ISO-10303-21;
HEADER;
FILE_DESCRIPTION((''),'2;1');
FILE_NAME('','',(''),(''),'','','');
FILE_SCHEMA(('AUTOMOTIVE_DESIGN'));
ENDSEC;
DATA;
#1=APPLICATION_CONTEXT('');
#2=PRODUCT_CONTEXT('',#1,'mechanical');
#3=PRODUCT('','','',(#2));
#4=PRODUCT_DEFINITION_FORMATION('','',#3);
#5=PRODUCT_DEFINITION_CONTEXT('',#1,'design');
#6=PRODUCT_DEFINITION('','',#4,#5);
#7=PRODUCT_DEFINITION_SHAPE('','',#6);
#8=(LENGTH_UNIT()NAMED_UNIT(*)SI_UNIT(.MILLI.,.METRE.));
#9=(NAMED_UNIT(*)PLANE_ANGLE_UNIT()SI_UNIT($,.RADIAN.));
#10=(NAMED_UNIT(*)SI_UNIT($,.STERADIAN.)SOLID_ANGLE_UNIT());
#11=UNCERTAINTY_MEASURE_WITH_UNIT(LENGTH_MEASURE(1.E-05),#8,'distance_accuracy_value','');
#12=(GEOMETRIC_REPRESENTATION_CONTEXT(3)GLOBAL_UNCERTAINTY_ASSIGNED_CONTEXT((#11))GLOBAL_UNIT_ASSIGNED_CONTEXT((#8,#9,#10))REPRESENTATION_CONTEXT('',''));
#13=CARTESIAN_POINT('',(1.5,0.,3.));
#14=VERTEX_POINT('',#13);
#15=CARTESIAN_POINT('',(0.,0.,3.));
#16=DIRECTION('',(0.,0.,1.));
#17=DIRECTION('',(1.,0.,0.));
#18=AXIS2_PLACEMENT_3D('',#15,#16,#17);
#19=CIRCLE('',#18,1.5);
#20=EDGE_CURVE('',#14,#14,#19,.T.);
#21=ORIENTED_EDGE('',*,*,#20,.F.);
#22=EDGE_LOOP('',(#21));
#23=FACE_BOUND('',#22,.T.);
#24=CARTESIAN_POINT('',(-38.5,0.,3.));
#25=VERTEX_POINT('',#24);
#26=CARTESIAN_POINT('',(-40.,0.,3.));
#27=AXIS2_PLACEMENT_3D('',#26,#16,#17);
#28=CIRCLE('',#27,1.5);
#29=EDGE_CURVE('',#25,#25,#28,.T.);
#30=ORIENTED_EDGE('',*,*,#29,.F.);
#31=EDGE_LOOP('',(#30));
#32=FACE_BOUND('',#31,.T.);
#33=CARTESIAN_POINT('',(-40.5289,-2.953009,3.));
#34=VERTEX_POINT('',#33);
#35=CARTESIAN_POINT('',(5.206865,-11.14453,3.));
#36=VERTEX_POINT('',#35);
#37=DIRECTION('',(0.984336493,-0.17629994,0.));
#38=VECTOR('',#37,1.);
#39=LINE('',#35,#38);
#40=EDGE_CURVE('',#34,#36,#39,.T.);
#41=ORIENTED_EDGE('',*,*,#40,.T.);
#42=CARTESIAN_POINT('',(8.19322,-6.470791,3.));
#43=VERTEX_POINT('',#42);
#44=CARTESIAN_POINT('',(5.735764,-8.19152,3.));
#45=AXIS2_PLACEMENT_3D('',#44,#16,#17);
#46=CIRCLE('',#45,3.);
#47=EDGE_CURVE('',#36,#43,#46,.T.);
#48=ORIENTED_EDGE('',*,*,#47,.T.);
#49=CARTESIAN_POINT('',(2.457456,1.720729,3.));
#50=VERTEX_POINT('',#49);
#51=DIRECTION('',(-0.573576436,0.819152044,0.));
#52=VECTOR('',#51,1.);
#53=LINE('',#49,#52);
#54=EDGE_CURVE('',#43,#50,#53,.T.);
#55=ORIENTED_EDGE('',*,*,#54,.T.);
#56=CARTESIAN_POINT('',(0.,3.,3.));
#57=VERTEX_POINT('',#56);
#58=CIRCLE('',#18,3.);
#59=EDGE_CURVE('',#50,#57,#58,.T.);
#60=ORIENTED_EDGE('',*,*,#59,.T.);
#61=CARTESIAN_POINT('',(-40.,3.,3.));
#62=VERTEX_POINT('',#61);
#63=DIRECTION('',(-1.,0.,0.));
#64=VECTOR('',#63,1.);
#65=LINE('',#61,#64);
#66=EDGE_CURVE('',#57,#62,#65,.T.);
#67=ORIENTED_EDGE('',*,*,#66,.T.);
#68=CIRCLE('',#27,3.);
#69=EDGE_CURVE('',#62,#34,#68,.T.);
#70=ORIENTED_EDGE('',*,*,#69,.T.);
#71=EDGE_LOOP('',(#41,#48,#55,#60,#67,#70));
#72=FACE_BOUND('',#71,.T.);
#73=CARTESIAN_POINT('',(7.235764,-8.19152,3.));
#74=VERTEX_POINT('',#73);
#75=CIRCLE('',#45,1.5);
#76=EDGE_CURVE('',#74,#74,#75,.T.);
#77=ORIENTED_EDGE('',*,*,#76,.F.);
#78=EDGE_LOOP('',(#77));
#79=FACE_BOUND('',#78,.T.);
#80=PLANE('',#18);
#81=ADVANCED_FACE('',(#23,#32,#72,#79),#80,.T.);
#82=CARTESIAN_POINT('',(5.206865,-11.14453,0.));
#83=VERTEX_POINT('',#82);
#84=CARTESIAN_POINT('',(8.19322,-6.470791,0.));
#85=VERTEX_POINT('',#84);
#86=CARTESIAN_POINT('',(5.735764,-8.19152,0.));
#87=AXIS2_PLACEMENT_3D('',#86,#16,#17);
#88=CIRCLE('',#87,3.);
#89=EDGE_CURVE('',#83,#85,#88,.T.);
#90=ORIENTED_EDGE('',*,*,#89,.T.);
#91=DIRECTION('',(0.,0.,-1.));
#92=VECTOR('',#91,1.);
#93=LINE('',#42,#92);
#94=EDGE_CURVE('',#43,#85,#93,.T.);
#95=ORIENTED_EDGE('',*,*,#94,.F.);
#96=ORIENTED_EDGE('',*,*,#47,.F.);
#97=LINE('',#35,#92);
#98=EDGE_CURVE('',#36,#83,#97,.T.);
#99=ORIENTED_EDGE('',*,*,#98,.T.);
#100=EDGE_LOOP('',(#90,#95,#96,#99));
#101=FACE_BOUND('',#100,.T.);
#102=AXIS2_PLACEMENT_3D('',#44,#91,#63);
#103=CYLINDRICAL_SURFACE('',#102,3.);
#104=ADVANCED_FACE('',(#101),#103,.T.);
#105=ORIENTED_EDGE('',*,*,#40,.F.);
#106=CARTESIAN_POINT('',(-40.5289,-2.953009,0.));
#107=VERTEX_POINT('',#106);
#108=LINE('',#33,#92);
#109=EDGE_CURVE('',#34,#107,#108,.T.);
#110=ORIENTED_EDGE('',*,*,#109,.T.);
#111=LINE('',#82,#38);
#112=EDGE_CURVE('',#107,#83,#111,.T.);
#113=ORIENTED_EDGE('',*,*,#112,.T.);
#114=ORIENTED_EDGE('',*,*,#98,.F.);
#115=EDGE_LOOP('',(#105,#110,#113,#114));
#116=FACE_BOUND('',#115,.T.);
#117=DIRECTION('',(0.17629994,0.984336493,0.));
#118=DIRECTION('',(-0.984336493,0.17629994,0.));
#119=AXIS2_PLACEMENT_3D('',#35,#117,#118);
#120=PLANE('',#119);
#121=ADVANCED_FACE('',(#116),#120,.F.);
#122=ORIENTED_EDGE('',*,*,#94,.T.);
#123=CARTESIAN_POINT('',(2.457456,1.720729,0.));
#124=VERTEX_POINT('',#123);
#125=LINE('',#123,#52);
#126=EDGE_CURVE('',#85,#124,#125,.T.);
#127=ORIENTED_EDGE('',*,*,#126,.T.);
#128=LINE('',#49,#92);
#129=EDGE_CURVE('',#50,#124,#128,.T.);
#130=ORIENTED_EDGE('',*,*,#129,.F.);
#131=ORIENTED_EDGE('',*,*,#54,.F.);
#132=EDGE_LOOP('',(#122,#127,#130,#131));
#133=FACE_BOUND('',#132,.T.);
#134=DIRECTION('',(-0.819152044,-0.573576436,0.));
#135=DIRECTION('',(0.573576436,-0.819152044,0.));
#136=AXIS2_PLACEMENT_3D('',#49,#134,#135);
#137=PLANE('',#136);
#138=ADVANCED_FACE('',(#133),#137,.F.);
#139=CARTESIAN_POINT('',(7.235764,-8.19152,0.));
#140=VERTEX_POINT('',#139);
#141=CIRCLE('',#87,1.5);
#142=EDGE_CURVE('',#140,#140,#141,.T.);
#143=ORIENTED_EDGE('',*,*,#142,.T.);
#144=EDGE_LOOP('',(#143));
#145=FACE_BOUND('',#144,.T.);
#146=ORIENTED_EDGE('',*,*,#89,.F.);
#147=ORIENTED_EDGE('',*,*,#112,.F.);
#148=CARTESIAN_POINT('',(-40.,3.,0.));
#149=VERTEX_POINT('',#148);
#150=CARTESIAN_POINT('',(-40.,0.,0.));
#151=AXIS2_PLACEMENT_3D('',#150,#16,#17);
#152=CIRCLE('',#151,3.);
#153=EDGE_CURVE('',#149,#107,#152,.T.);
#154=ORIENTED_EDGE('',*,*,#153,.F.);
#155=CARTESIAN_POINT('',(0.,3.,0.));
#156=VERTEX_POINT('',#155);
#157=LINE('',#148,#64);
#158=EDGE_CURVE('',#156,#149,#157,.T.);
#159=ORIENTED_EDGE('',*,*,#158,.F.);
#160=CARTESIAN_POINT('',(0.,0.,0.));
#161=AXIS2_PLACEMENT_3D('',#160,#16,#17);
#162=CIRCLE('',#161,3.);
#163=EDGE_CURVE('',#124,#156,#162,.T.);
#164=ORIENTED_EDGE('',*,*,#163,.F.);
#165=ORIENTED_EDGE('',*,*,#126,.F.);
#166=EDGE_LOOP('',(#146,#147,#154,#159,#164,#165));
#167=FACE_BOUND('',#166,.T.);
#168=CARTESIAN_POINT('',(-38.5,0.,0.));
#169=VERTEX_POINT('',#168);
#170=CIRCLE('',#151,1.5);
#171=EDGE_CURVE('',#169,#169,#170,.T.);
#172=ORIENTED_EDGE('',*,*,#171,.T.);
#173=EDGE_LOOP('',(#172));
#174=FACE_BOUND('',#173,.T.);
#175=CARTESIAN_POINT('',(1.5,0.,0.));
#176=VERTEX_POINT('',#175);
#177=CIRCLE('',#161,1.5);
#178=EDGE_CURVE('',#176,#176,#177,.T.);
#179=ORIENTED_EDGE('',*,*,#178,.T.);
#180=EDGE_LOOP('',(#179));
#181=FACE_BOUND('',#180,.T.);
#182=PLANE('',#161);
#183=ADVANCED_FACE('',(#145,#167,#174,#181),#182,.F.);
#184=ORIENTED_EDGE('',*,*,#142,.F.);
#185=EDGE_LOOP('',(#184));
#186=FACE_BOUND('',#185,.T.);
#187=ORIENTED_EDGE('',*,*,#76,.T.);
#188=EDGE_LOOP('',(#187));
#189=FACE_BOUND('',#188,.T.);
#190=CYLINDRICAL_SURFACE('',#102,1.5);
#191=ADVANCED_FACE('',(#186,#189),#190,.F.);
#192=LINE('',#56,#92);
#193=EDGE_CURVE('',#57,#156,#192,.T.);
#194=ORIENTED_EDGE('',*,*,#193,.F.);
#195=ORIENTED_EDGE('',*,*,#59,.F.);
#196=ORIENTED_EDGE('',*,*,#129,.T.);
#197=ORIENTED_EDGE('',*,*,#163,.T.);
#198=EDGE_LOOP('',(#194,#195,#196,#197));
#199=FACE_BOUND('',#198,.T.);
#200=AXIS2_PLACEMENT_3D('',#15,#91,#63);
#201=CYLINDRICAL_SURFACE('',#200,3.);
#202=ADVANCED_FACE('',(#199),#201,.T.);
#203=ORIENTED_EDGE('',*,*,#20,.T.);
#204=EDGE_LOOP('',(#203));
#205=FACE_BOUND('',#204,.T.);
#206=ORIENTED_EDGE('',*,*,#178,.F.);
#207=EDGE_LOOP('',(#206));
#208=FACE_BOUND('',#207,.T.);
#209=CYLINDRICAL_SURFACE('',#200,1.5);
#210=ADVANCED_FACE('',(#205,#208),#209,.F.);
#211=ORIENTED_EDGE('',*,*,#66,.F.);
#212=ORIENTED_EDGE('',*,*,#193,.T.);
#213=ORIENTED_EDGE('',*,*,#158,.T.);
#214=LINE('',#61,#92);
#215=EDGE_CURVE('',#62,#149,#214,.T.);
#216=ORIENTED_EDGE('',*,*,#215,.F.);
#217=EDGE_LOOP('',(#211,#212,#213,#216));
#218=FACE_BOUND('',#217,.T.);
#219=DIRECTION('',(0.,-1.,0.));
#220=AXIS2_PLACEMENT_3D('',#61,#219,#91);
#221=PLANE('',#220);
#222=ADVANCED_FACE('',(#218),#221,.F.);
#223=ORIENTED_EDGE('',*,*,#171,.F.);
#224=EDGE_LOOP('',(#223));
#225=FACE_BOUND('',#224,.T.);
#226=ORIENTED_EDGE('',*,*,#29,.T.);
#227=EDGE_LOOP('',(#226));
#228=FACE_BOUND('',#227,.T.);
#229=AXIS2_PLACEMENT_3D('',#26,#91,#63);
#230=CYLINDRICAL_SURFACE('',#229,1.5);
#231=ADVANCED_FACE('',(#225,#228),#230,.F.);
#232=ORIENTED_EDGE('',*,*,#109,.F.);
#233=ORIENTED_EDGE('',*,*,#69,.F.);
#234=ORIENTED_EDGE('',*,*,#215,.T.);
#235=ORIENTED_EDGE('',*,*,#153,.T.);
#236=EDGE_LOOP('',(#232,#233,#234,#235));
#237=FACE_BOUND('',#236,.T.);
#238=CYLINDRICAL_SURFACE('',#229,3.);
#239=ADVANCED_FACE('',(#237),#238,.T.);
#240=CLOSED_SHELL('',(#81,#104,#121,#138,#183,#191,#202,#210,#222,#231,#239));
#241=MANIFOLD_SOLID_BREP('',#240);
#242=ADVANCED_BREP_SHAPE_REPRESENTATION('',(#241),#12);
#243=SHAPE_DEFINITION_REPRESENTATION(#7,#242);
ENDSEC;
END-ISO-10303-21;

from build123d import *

# Parameters (mm, degrees)
SKETCH2_R           = 1.5
BOSS_EXTRUDE1_DEPTH = 3


with BuildPart() as part:
    # Sketch2 → Boss-Extrude1 (new body)
    with BuildSketch(Plane.XY):
        with BuildLine():
            Line((-40, 3), (0, 3))
            ThreePointArc((0, 3), (1.38524584, 2.6610325), (2.457456133, 1.720729309))
            Line((2.457456133, 1.720729309), (8.193220496, -6.470791134))
            ThreePointArc((8.193220496, -6.470791134), (8.263765734, -9.806825081), (5.206864544, -11.144529922))
            Line((5.206864544, -11.144529922), (-40.528899819, -2.953009479))
            ThreePointArc((-40.528899819, -2.953009479), (-42.988229278, 0.265491586), (-40, 3))
        make_face()
        with Locations((-40, 0)):
            Circle(SKETCH2_R, mode=Mode.SUBTRACT)
        Circle(SKETCH2_R, mode=Mode.SUBTRACT)
        with Locations((5.735764364, -8.191520443)):
            Circle(SKETCH2_R, mode=Mode.SUBTRACT)
    extrude(amount=BOSS_EXTRUDE1_DEPTH)


solid = part.part
